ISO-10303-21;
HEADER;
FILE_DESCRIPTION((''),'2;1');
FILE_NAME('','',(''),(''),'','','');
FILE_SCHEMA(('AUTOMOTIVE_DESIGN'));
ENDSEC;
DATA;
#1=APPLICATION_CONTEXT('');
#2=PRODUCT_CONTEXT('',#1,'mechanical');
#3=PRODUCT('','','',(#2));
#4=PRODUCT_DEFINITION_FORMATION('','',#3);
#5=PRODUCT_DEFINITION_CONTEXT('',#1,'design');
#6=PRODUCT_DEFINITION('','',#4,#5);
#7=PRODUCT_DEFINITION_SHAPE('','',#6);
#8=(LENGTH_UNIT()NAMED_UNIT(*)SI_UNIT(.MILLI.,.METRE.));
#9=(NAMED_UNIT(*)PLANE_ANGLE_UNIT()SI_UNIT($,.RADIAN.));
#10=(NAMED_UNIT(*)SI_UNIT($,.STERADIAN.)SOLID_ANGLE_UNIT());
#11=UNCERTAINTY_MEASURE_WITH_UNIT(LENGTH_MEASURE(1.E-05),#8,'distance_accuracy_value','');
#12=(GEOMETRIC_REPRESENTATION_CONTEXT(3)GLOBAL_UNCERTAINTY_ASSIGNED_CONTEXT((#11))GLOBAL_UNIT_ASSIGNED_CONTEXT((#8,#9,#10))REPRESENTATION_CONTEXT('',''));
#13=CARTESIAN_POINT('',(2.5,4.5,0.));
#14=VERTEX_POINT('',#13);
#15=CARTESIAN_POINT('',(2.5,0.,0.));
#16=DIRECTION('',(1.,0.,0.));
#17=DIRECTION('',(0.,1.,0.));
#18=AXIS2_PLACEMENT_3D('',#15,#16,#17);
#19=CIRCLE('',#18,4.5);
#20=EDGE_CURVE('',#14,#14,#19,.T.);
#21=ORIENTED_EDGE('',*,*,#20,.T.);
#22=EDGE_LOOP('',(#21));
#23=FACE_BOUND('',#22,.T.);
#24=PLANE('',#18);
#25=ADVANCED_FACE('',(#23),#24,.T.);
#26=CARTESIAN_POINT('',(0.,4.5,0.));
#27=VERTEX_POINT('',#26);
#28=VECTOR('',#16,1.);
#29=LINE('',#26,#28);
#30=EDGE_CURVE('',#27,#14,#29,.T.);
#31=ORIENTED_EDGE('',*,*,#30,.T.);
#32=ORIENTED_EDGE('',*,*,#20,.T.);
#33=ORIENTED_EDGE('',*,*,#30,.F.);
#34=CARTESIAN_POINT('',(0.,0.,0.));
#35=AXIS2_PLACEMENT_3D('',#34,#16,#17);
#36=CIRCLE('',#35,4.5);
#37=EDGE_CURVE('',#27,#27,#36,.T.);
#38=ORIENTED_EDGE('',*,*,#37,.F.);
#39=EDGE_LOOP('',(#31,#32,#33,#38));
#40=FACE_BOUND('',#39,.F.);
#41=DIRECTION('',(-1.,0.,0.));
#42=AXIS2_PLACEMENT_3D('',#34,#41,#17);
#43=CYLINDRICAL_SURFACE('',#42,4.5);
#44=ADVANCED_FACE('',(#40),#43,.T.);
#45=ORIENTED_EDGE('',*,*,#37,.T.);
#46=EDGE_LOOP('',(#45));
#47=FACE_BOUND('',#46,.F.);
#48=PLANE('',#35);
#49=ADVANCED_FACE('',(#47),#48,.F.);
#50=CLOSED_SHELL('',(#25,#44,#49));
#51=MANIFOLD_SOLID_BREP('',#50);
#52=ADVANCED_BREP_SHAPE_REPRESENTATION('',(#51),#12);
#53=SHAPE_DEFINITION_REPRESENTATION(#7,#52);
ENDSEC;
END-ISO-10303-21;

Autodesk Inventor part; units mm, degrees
ref_plane "YZ Plane" through (0, 0, 0) normal (1, 0, 0) x (0, 1, 0)
ref_plane "XZ Plane" through (0, 0, 0) normal (0, 1, 0) x (-1, 0, 0)
ref_plane "XY Plane" through (0, 0, 0) normal (0, 0, 1) x (1, 0, 0)
sketch "스케치3" plane through (0, 0, 0) normal (1, 0, 0) x (0, 1, 0)
  circle A0 centre (0, 0) radius 4.5
  dimension "d0" = 9
  dimension "d1" = 0
  dimension "d2" = 0
extrude "돌출1" add sketch "스케치3" along normal blind 2.5
properties part number "큰 원통"
